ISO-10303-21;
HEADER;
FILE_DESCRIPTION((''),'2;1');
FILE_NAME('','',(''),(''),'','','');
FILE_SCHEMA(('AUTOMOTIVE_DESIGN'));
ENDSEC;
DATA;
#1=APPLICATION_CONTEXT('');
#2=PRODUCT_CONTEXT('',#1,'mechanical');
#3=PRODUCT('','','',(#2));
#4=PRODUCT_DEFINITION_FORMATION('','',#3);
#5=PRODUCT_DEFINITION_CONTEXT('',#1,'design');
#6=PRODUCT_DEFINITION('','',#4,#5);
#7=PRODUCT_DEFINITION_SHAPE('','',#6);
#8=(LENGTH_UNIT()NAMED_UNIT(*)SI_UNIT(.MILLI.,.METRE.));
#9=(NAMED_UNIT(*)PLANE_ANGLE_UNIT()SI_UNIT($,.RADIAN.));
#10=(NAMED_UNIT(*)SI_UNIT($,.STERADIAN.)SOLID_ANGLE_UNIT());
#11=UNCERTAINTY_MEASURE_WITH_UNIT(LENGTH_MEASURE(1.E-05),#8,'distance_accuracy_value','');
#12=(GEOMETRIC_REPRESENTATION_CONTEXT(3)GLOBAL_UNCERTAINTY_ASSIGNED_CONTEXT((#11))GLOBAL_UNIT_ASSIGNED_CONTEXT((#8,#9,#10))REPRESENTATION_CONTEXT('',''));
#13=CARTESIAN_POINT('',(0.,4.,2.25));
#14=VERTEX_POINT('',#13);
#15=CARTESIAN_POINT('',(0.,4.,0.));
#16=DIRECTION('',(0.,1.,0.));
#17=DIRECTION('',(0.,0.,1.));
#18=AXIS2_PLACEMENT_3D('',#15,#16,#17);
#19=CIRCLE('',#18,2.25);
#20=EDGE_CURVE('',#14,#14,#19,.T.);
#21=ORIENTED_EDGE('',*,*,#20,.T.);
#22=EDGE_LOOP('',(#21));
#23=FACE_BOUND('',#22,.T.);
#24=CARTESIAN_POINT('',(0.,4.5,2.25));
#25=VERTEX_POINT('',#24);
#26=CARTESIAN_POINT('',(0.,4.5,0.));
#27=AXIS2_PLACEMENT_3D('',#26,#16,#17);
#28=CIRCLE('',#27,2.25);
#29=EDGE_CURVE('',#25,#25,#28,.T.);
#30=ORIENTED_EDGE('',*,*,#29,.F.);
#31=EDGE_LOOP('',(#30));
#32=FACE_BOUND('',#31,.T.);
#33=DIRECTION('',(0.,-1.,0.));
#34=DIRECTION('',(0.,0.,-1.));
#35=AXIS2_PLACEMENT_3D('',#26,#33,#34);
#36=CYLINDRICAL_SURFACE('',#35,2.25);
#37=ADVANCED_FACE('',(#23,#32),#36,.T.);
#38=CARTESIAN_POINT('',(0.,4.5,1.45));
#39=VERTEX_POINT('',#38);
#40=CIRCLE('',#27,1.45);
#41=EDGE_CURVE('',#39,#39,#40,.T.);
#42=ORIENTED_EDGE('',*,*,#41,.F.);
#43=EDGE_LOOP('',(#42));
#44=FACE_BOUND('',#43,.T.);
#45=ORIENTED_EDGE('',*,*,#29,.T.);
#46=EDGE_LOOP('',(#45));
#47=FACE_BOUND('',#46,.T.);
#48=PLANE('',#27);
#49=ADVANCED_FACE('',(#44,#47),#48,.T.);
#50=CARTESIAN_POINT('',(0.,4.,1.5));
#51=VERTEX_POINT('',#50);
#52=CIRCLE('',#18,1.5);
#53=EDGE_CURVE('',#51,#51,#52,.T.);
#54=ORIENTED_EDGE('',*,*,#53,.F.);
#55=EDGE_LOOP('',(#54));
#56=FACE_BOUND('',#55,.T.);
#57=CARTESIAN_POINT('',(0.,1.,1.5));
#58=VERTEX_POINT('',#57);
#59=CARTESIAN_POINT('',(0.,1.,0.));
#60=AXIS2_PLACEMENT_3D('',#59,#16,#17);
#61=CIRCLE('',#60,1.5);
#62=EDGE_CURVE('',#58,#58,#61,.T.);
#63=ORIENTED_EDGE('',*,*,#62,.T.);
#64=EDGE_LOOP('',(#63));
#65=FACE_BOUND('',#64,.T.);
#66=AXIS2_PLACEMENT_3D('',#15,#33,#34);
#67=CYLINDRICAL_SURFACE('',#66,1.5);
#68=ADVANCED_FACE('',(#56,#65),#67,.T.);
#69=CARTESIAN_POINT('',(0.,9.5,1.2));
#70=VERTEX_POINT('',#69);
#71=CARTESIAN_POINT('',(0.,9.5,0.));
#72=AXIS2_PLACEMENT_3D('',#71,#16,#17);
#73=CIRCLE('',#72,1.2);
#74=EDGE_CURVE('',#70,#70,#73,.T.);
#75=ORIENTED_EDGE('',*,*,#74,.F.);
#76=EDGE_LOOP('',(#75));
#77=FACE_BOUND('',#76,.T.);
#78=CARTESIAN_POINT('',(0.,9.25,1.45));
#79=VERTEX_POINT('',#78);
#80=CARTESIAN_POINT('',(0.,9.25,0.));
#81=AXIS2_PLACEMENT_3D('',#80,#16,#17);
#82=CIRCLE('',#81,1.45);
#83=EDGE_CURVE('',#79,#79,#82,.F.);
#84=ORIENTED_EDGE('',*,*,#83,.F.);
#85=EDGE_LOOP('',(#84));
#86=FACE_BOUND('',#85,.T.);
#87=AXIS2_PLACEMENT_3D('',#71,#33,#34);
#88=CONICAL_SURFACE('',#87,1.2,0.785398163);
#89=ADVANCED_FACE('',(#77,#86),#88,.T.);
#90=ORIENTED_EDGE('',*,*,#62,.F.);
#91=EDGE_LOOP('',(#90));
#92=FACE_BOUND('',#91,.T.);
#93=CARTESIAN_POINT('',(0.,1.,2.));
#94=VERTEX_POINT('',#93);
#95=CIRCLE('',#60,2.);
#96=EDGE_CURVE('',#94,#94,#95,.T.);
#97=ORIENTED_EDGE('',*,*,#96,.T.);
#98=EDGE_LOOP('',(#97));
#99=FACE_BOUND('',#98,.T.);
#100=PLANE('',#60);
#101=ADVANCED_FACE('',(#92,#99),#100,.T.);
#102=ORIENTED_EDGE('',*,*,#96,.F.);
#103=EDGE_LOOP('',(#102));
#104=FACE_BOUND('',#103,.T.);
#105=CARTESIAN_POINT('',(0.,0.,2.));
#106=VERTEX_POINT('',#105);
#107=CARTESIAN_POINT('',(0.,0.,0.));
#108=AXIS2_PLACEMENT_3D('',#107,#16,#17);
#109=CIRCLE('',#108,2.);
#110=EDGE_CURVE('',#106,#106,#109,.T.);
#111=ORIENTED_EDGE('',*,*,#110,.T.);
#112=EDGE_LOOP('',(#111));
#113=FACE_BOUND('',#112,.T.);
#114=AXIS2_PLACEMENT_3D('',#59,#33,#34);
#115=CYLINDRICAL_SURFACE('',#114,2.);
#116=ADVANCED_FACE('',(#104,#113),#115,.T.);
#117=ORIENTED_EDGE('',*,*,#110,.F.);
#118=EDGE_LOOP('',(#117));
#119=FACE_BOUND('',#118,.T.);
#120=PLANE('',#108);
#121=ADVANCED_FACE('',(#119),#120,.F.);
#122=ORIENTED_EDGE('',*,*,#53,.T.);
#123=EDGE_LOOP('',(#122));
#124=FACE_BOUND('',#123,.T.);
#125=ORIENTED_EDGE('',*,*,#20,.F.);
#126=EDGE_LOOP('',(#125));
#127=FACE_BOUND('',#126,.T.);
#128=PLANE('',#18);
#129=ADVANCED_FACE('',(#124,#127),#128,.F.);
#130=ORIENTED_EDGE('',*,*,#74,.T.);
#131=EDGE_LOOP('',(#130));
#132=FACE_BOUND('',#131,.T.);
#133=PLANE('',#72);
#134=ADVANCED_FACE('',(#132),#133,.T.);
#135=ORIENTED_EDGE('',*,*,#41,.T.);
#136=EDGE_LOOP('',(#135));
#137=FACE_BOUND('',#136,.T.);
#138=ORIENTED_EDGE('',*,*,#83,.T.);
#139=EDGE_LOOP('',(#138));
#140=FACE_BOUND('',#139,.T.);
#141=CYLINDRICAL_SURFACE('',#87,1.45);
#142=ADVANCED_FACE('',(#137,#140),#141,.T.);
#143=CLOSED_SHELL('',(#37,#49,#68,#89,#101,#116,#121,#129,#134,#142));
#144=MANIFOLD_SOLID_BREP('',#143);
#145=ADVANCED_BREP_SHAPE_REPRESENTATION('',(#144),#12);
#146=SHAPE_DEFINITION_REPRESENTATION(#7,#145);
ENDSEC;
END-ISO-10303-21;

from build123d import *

# Parameters (mm, degrees)
SKETCH2_R           = 2
BOSS_EXTRUDE1_DEPTH = 1
SKETCH3_R           = 1.5
BOSS_EXTRUDE2_DEPTH = 3
SKETCH4_R           = 2.25
BOSS_EXTRUDE3_DEPTH = 0.5
SKETCH5_R           = 1.45
BOSS_EXTRUDE4_DEPTH = 5
CHAMFER3_SIZE       = 0.25


with BuildPart() as part:
    # Sketch2 → Boss-Extrude1 (new body)
    with BuildSketch(Plane(origin=(0, 0, 0), x_dir=(1, 0, 0), z_dir=(0, 1, 0))):
        with Locations(Location((0, 0, 0), (0, 0, 270))):
            Circle(SKETCH2_R)
    extrude(amount=BOSS_EXTRUDE1_DEPTH)

    # Sketch3 → Boss-Extrude2 (add)
    with BuildSketch(Plane(origin=(0, 1, 0), x_dir=(1, 0, 0), z_dir=(0, 1, 0))):
        with Locations(Location((0, 0, 0), (0, 0, 270))):
            Circle(SKETCH3_R)
    extrude(amount=BOSS_EXTRUDE2_DEPTH)

    # Sketch4 → Boss-Extrude3 (add)
    with BuildSketch(Plane(origin=(0, 4, 0), x_dir=(1, 0, 0), z_dir=(0, 1, 0))):
        with Locations(Location((0, 0, 0), (0, 0, 270))):
            Circle(SKETCH4_R)
    extrude(amount=BOSS_EXTRUDE3_DEPTH)

    # Sketch5 → Boss-Extrude4 (add)
    with BuildSketch(Plane(origin=(0, 4.5, 0), x_dir=(1, 0, 0), z_dir=(0, 1, 0))):
        with Locations(Location((0, 0, 0), (0, 0, 270))):
            Circle(SKETCH5_R)
    extrude(amount=BOSS_EXTRUDE4_DEPTH)

    # Chamfer3
    chamfer3_edges = [part.edges().sort_by_distance(p)[0] for p in [
        (0, 9.5, -1.45),
    ]]
    chamfer(chamfer3_edges, length=CHAMFER3_SIZE)


solid = part.part
